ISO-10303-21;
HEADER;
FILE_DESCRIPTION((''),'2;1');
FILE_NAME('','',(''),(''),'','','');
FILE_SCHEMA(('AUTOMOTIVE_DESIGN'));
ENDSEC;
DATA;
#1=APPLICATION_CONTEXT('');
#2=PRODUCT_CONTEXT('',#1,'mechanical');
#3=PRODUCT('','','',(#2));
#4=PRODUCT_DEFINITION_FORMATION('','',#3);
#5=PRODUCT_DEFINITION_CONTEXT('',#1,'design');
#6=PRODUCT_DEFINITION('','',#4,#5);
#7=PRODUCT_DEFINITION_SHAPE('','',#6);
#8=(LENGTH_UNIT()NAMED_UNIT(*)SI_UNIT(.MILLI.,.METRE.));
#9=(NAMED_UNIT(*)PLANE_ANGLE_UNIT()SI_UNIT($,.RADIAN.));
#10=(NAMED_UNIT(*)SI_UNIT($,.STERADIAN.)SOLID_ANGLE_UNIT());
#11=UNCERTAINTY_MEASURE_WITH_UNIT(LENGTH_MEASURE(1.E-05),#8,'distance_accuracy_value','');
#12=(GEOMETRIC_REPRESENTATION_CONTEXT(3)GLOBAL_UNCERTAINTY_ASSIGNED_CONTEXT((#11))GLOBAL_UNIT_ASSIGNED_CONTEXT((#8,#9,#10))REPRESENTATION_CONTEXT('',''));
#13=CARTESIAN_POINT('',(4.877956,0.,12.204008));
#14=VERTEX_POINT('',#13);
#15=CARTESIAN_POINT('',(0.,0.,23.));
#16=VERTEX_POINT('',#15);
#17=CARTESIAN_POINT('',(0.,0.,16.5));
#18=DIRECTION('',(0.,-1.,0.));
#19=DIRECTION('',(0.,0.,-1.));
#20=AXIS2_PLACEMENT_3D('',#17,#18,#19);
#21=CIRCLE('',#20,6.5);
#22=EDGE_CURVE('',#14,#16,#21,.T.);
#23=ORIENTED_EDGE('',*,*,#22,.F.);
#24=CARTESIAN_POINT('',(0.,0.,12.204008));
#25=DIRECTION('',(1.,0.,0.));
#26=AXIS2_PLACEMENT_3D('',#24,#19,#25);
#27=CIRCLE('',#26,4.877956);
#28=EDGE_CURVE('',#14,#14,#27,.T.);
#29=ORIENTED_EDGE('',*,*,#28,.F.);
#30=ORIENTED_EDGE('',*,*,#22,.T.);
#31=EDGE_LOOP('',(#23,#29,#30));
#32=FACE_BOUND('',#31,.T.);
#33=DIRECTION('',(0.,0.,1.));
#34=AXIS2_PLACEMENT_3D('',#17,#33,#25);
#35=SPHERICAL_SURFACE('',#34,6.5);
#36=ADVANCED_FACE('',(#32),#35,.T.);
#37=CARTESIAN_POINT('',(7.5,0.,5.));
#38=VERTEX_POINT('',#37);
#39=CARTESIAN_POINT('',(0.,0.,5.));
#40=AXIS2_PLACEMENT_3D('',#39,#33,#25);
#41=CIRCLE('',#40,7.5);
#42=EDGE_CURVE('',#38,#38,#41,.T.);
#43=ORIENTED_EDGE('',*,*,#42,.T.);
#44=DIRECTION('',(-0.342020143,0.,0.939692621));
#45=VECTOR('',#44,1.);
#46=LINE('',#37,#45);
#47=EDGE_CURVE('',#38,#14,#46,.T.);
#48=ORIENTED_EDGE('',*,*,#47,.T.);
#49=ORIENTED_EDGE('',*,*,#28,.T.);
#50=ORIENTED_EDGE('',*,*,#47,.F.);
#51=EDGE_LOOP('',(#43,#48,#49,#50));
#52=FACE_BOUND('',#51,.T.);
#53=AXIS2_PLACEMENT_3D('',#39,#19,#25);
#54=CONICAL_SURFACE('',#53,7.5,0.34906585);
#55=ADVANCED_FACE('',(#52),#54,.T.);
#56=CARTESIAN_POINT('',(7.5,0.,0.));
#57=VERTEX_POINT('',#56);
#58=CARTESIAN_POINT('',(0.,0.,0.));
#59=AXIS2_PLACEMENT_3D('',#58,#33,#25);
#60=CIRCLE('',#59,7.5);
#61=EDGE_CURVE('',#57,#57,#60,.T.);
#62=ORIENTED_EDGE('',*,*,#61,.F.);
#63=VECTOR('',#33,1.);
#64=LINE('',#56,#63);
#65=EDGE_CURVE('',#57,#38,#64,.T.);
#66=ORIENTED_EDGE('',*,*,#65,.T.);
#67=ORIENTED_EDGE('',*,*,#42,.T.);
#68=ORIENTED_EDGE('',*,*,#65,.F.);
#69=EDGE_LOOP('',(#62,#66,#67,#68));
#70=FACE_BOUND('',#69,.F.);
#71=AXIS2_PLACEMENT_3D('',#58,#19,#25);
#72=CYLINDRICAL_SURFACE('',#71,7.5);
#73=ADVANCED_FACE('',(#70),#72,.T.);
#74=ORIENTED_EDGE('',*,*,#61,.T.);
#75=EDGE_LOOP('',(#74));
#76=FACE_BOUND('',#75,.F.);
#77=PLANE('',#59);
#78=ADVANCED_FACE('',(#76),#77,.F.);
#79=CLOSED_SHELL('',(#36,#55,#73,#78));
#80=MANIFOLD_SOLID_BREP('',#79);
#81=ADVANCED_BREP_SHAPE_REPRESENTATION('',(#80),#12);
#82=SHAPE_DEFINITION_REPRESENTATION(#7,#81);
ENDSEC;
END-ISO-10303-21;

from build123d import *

# Parameters (mm, degrees)
F0_R      = 7.5
F1_DEPTH  = 5
F1_FACE_R = 7.5
F2_DEPTH  = 10
F2_TAPER  = 20


with BuildPart() as f1:
    # F0 (on Top) → F1 (new body)
    with BuildSketch(Plane.XY):
        Circle(F0_R)
    extrude(amount=F1_DEPTH)

    # F1_face (on face) → F2 (join)
    with BuildSketch(Plane.XY.offset(5)):
        Circle(F1_FACE_R)
    extrude(amount=F2_DEPTH, taper=F2_TAPER)

    # F3 (on Front) → F4 (revolve)
    with BuildSketch(Plane.XZ):
        with BuildLine():
            Line((0, 23), (0, 10))
            ThreePointArc((0, 10), (6.5, 16.5), (0, 23))
        make_face()
    revolve(axis=Axis((0, 0, 16.5), (0, 0, 1)))


solid = f1.part
